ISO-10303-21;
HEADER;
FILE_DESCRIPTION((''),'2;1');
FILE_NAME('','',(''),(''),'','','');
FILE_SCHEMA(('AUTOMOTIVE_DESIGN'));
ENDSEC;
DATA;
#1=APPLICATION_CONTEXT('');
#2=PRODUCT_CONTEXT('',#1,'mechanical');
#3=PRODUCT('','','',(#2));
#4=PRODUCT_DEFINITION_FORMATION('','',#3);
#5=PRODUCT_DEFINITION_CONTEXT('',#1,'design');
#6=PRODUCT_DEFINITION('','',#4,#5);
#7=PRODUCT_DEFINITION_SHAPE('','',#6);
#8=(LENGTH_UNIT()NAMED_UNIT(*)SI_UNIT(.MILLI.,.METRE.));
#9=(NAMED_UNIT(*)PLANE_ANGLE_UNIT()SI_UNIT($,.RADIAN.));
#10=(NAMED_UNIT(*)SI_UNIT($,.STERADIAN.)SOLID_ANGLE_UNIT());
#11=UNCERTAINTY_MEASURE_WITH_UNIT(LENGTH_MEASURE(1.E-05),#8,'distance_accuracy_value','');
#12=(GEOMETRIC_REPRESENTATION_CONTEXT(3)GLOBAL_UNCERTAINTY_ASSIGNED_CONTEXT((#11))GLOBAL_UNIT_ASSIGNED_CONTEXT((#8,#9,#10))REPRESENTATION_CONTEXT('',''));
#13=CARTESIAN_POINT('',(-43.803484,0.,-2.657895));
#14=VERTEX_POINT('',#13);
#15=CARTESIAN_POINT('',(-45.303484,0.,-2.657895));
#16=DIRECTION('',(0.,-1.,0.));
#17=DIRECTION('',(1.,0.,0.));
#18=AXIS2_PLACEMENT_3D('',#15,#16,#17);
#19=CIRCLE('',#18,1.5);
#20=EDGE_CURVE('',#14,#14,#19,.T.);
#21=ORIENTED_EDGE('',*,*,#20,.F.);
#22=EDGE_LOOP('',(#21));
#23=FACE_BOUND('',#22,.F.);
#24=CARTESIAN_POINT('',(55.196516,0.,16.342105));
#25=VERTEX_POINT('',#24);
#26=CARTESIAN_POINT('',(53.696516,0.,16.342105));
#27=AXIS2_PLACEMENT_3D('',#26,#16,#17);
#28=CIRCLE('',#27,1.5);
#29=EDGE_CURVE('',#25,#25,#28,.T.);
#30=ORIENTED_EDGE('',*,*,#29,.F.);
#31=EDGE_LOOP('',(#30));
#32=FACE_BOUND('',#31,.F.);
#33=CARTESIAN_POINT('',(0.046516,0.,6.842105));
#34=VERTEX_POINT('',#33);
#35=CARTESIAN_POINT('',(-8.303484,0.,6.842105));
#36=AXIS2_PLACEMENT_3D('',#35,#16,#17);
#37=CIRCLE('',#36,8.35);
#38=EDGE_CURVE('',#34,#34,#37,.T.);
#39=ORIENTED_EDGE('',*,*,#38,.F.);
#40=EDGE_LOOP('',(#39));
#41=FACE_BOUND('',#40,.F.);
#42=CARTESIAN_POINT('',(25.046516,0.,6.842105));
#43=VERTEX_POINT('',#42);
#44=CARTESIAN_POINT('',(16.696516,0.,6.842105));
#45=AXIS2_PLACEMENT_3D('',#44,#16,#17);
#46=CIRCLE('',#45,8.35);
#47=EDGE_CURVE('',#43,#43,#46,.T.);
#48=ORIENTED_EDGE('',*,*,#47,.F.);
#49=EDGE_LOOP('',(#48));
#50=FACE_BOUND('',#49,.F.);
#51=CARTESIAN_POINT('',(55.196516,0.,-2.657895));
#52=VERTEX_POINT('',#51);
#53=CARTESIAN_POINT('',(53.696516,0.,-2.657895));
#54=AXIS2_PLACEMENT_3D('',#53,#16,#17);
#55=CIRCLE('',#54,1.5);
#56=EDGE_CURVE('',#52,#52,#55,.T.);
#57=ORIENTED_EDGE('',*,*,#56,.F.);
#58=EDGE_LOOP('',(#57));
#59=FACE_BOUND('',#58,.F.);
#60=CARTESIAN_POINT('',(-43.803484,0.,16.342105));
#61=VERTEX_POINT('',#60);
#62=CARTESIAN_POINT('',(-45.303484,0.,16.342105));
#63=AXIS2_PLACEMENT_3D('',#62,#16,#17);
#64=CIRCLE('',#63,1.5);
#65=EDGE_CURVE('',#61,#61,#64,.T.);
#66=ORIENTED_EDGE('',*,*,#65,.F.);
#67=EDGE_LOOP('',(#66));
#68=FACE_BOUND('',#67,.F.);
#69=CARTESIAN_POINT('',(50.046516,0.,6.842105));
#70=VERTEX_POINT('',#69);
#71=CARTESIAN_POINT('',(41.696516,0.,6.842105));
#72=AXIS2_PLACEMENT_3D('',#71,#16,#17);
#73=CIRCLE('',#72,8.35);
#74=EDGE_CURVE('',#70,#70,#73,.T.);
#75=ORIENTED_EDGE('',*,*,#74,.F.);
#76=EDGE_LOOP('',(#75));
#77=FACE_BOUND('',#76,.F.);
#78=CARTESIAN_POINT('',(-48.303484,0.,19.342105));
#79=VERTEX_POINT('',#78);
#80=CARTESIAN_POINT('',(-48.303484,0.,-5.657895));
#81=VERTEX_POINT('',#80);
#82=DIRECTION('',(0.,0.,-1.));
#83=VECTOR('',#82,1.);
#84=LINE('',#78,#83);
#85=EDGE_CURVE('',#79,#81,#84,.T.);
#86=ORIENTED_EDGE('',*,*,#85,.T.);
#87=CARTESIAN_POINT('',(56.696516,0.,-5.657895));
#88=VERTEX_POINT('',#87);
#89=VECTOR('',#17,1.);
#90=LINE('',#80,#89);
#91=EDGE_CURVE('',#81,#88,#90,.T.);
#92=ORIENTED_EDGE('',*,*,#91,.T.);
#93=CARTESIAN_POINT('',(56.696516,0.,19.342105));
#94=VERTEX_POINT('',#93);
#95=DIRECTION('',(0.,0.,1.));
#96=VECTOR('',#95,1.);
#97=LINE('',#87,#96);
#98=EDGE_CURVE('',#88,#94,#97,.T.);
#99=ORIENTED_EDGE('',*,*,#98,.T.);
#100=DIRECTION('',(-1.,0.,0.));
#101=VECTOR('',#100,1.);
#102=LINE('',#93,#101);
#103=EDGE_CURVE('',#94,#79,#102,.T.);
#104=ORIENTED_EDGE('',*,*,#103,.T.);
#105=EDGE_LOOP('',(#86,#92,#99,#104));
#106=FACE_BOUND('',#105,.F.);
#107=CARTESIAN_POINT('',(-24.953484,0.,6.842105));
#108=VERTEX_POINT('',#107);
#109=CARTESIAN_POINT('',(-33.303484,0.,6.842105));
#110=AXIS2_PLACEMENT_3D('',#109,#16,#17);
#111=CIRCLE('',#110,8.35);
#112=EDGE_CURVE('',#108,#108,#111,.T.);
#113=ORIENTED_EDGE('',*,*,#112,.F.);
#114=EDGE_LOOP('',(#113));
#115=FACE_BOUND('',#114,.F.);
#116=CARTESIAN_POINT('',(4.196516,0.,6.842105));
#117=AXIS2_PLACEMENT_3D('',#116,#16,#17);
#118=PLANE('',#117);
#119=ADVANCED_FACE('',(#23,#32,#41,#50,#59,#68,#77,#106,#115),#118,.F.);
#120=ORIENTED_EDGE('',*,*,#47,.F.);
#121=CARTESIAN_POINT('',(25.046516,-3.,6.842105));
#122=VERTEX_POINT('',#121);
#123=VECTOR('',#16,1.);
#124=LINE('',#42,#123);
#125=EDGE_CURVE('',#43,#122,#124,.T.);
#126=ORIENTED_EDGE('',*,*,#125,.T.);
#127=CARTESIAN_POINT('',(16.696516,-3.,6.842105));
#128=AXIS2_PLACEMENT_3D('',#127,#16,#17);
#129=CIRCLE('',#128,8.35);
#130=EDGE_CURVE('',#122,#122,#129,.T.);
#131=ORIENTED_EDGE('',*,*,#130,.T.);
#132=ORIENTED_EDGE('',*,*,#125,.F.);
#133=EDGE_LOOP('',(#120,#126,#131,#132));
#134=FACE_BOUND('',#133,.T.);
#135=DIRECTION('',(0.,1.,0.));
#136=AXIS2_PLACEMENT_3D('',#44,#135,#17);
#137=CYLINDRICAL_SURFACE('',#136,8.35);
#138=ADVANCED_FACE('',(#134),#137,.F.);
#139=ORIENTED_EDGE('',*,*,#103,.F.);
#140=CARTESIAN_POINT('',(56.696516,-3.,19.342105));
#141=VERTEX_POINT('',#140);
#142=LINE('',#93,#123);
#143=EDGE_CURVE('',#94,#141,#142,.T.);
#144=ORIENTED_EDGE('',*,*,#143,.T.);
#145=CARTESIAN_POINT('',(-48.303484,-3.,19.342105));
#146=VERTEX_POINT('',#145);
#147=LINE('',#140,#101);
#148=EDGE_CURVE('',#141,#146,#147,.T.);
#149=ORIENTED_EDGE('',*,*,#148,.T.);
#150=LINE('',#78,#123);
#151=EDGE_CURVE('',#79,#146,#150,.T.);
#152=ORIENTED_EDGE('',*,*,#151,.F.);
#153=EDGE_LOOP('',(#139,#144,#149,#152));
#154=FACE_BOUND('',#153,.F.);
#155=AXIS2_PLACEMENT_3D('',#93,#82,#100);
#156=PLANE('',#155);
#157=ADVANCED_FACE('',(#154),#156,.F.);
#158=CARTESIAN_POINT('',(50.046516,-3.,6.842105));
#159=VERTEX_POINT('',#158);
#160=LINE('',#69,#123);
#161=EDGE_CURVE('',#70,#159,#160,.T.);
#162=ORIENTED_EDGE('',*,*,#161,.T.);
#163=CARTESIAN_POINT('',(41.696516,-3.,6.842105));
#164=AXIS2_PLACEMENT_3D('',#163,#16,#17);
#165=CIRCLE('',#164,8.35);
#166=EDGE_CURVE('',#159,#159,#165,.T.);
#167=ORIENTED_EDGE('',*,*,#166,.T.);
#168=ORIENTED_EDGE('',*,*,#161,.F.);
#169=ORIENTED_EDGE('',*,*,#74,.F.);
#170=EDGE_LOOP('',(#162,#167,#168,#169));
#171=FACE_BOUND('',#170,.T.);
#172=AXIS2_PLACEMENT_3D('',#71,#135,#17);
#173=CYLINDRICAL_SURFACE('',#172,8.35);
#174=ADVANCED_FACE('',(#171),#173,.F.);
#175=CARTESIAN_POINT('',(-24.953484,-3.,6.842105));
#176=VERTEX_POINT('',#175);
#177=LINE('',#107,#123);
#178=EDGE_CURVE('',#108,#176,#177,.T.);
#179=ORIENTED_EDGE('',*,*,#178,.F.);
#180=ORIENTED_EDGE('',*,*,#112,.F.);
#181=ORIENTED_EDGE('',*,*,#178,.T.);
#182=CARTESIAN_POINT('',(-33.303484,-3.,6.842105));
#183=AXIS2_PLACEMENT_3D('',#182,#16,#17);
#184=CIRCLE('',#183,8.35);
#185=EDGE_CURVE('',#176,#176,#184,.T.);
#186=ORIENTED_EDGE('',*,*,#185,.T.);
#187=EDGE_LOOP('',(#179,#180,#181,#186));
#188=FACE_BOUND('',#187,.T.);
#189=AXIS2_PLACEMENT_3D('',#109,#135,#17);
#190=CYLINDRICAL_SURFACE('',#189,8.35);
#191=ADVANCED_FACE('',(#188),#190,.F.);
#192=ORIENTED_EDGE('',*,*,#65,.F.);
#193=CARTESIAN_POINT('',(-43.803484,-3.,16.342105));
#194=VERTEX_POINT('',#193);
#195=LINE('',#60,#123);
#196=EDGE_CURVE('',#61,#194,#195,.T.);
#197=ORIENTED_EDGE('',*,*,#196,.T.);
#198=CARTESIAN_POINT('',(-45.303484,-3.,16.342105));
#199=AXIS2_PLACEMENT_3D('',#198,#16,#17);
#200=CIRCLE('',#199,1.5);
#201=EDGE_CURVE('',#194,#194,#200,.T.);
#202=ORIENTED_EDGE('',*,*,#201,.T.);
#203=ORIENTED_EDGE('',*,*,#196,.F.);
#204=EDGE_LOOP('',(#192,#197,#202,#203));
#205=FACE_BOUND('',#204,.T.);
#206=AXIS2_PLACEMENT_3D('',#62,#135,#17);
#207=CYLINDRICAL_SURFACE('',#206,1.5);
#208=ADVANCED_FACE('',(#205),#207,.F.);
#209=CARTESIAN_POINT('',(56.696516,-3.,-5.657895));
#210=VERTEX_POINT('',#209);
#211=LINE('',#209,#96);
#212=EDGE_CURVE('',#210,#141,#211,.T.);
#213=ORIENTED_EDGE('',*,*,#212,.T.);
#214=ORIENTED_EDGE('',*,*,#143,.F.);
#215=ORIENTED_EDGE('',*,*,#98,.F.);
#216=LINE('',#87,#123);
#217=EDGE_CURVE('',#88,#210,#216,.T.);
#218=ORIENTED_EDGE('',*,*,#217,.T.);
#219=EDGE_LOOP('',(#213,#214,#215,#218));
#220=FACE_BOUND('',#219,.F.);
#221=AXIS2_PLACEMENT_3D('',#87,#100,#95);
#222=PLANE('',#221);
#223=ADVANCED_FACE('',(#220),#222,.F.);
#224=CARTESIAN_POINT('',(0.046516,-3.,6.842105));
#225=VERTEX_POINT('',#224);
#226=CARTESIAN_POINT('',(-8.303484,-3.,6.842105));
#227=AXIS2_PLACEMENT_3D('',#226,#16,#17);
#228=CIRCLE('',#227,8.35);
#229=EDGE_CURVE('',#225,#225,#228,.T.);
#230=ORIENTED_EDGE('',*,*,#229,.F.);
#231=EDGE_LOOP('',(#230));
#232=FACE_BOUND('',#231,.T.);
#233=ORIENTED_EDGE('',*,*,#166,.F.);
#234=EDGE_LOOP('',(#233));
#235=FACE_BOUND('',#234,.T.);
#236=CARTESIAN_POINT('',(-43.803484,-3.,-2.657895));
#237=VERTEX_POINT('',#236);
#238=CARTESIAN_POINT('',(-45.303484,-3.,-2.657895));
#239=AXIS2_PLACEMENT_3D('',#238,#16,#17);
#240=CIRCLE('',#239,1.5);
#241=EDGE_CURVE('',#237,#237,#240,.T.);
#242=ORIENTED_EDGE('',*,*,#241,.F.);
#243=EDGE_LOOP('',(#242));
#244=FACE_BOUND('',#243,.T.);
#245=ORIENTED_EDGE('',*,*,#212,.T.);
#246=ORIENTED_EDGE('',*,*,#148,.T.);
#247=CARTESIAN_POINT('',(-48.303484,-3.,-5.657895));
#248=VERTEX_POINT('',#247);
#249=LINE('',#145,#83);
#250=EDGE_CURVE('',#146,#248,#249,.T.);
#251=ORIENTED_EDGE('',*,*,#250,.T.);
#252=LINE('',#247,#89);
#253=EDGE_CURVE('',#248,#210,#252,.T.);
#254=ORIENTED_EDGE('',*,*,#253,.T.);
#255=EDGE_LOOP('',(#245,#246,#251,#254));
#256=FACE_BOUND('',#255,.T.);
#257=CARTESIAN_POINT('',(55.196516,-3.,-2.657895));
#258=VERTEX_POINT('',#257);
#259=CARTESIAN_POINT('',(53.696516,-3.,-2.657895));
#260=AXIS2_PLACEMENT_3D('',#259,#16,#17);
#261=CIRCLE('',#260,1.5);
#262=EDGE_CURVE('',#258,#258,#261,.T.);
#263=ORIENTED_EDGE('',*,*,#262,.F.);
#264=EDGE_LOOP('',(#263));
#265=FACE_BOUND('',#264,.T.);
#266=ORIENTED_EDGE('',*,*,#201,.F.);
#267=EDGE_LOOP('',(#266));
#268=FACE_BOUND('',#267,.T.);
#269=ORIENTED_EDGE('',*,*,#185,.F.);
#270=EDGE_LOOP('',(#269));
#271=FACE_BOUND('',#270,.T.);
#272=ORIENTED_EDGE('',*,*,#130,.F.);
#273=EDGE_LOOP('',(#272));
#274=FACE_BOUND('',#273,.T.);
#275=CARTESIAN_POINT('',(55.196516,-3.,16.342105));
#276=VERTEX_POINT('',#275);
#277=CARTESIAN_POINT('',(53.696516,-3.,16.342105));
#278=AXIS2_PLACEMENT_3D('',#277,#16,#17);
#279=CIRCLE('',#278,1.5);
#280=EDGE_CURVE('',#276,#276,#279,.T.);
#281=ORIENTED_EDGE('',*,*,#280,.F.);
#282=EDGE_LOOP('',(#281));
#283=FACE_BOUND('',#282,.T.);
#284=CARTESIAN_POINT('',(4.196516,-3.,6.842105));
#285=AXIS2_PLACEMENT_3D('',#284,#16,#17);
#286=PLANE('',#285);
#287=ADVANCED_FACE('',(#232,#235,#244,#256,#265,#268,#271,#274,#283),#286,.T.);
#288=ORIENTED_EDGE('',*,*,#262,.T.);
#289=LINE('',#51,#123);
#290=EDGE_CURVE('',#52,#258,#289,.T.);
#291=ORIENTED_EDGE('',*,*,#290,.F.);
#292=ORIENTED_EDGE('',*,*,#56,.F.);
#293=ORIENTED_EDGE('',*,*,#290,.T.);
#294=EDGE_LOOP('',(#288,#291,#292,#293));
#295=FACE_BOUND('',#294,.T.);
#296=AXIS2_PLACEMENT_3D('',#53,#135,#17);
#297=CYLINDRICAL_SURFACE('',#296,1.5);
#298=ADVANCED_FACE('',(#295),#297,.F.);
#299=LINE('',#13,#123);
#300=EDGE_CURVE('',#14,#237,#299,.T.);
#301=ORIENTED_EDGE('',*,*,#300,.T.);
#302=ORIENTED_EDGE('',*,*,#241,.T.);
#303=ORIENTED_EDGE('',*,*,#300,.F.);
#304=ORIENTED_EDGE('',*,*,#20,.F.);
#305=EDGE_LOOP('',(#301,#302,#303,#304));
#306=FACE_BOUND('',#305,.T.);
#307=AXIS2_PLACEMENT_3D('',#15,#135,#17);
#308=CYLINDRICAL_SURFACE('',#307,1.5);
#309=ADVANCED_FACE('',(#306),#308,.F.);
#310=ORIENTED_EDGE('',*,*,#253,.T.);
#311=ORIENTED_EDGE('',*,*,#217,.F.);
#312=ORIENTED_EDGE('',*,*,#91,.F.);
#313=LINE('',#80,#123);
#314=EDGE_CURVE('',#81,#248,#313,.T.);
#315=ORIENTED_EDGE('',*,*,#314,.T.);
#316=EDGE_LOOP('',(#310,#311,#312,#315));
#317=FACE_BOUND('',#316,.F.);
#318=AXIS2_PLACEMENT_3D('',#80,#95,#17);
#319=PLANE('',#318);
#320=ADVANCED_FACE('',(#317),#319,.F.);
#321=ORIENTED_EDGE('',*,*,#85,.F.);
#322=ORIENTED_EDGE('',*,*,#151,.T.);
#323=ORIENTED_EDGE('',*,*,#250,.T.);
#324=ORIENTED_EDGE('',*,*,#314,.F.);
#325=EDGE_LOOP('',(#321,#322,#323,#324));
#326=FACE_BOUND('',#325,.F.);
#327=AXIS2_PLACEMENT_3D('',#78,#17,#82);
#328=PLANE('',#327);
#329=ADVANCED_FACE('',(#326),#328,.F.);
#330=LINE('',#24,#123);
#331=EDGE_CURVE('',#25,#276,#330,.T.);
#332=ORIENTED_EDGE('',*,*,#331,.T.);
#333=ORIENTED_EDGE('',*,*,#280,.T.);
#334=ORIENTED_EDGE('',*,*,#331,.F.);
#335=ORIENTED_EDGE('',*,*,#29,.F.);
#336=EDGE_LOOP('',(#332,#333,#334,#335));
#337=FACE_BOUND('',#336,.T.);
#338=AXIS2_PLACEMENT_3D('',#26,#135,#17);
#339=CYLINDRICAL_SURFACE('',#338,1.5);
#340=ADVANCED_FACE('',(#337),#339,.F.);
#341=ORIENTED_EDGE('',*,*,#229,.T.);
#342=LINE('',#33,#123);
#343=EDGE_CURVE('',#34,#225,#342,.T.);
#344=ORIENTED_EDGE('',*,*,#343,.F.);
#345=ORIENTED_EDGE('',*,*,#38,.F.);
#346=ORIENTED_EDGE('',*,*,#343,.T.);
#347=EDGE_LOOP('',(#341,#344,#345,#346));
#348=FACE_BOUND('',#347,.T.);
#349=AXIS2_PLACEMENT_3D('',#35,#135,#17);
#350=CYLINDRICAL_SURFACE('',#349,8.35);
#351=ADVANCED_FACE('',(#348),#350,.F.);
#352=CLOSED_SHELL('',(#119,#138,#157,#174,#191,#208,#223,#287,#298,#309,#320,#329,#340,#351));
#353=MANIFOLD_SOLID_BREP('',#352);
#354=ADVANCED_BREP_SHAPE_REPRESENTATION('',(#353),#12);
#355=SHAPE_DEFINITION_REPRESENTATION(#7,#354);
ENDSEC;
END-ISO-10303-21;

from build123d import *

# Parameters (mm, degrees)
F0_R     = 1.5
F0_R_2   = 8.35
F1_DEPTH = 3


with BuildPart() as f1:
    # F0 (on Front) → F1 (new body)
    with BuildSketch(Plane.XZ):
        Polygon((-48.303484, 6.842105), (-48.303484, -5.657895), (56.696516, -5.657895), (56.696516, 6.842105), (56.696516, 19.342105), (-48.303484, 19.342105), align=None)
        with Locations((-45.303484, -2.657895)):
            Circle(F0_R, mode=Mode.SUBTRACT)
        with Locations((-33.303484, 6.842105)):
            Circle(F0_R_2, mode=Mode.SUBTRACT)
        with Locations((-8.303484, 6.842105)):
            Circle(F0_R_2, mode=Mode.SUBTRACT)
        with Locations((53.696516, -2.657895)):
            Circle(F0_R, mode=Mode.SUBTRACT)
        with Locations((16.696516, 6.842105)):
            Circle(F0_R_2, mode=Mode.SUBTRACT)
        with Locations((41.696516, 6.842105)):
            Circle(F0_R_2, mode=Mode.SUBTRACT)
        with Locations((-45.303484, 16.342105)):
            Circle(F0_R, mode=Mode.SUBTRACT)
        with Locations((53.696516, 16.342105)):
            Circle(F0_R, mode=Mode.SUBTRACT)
    extrude(amount=F1_DEPTH)


solid = f1.part
